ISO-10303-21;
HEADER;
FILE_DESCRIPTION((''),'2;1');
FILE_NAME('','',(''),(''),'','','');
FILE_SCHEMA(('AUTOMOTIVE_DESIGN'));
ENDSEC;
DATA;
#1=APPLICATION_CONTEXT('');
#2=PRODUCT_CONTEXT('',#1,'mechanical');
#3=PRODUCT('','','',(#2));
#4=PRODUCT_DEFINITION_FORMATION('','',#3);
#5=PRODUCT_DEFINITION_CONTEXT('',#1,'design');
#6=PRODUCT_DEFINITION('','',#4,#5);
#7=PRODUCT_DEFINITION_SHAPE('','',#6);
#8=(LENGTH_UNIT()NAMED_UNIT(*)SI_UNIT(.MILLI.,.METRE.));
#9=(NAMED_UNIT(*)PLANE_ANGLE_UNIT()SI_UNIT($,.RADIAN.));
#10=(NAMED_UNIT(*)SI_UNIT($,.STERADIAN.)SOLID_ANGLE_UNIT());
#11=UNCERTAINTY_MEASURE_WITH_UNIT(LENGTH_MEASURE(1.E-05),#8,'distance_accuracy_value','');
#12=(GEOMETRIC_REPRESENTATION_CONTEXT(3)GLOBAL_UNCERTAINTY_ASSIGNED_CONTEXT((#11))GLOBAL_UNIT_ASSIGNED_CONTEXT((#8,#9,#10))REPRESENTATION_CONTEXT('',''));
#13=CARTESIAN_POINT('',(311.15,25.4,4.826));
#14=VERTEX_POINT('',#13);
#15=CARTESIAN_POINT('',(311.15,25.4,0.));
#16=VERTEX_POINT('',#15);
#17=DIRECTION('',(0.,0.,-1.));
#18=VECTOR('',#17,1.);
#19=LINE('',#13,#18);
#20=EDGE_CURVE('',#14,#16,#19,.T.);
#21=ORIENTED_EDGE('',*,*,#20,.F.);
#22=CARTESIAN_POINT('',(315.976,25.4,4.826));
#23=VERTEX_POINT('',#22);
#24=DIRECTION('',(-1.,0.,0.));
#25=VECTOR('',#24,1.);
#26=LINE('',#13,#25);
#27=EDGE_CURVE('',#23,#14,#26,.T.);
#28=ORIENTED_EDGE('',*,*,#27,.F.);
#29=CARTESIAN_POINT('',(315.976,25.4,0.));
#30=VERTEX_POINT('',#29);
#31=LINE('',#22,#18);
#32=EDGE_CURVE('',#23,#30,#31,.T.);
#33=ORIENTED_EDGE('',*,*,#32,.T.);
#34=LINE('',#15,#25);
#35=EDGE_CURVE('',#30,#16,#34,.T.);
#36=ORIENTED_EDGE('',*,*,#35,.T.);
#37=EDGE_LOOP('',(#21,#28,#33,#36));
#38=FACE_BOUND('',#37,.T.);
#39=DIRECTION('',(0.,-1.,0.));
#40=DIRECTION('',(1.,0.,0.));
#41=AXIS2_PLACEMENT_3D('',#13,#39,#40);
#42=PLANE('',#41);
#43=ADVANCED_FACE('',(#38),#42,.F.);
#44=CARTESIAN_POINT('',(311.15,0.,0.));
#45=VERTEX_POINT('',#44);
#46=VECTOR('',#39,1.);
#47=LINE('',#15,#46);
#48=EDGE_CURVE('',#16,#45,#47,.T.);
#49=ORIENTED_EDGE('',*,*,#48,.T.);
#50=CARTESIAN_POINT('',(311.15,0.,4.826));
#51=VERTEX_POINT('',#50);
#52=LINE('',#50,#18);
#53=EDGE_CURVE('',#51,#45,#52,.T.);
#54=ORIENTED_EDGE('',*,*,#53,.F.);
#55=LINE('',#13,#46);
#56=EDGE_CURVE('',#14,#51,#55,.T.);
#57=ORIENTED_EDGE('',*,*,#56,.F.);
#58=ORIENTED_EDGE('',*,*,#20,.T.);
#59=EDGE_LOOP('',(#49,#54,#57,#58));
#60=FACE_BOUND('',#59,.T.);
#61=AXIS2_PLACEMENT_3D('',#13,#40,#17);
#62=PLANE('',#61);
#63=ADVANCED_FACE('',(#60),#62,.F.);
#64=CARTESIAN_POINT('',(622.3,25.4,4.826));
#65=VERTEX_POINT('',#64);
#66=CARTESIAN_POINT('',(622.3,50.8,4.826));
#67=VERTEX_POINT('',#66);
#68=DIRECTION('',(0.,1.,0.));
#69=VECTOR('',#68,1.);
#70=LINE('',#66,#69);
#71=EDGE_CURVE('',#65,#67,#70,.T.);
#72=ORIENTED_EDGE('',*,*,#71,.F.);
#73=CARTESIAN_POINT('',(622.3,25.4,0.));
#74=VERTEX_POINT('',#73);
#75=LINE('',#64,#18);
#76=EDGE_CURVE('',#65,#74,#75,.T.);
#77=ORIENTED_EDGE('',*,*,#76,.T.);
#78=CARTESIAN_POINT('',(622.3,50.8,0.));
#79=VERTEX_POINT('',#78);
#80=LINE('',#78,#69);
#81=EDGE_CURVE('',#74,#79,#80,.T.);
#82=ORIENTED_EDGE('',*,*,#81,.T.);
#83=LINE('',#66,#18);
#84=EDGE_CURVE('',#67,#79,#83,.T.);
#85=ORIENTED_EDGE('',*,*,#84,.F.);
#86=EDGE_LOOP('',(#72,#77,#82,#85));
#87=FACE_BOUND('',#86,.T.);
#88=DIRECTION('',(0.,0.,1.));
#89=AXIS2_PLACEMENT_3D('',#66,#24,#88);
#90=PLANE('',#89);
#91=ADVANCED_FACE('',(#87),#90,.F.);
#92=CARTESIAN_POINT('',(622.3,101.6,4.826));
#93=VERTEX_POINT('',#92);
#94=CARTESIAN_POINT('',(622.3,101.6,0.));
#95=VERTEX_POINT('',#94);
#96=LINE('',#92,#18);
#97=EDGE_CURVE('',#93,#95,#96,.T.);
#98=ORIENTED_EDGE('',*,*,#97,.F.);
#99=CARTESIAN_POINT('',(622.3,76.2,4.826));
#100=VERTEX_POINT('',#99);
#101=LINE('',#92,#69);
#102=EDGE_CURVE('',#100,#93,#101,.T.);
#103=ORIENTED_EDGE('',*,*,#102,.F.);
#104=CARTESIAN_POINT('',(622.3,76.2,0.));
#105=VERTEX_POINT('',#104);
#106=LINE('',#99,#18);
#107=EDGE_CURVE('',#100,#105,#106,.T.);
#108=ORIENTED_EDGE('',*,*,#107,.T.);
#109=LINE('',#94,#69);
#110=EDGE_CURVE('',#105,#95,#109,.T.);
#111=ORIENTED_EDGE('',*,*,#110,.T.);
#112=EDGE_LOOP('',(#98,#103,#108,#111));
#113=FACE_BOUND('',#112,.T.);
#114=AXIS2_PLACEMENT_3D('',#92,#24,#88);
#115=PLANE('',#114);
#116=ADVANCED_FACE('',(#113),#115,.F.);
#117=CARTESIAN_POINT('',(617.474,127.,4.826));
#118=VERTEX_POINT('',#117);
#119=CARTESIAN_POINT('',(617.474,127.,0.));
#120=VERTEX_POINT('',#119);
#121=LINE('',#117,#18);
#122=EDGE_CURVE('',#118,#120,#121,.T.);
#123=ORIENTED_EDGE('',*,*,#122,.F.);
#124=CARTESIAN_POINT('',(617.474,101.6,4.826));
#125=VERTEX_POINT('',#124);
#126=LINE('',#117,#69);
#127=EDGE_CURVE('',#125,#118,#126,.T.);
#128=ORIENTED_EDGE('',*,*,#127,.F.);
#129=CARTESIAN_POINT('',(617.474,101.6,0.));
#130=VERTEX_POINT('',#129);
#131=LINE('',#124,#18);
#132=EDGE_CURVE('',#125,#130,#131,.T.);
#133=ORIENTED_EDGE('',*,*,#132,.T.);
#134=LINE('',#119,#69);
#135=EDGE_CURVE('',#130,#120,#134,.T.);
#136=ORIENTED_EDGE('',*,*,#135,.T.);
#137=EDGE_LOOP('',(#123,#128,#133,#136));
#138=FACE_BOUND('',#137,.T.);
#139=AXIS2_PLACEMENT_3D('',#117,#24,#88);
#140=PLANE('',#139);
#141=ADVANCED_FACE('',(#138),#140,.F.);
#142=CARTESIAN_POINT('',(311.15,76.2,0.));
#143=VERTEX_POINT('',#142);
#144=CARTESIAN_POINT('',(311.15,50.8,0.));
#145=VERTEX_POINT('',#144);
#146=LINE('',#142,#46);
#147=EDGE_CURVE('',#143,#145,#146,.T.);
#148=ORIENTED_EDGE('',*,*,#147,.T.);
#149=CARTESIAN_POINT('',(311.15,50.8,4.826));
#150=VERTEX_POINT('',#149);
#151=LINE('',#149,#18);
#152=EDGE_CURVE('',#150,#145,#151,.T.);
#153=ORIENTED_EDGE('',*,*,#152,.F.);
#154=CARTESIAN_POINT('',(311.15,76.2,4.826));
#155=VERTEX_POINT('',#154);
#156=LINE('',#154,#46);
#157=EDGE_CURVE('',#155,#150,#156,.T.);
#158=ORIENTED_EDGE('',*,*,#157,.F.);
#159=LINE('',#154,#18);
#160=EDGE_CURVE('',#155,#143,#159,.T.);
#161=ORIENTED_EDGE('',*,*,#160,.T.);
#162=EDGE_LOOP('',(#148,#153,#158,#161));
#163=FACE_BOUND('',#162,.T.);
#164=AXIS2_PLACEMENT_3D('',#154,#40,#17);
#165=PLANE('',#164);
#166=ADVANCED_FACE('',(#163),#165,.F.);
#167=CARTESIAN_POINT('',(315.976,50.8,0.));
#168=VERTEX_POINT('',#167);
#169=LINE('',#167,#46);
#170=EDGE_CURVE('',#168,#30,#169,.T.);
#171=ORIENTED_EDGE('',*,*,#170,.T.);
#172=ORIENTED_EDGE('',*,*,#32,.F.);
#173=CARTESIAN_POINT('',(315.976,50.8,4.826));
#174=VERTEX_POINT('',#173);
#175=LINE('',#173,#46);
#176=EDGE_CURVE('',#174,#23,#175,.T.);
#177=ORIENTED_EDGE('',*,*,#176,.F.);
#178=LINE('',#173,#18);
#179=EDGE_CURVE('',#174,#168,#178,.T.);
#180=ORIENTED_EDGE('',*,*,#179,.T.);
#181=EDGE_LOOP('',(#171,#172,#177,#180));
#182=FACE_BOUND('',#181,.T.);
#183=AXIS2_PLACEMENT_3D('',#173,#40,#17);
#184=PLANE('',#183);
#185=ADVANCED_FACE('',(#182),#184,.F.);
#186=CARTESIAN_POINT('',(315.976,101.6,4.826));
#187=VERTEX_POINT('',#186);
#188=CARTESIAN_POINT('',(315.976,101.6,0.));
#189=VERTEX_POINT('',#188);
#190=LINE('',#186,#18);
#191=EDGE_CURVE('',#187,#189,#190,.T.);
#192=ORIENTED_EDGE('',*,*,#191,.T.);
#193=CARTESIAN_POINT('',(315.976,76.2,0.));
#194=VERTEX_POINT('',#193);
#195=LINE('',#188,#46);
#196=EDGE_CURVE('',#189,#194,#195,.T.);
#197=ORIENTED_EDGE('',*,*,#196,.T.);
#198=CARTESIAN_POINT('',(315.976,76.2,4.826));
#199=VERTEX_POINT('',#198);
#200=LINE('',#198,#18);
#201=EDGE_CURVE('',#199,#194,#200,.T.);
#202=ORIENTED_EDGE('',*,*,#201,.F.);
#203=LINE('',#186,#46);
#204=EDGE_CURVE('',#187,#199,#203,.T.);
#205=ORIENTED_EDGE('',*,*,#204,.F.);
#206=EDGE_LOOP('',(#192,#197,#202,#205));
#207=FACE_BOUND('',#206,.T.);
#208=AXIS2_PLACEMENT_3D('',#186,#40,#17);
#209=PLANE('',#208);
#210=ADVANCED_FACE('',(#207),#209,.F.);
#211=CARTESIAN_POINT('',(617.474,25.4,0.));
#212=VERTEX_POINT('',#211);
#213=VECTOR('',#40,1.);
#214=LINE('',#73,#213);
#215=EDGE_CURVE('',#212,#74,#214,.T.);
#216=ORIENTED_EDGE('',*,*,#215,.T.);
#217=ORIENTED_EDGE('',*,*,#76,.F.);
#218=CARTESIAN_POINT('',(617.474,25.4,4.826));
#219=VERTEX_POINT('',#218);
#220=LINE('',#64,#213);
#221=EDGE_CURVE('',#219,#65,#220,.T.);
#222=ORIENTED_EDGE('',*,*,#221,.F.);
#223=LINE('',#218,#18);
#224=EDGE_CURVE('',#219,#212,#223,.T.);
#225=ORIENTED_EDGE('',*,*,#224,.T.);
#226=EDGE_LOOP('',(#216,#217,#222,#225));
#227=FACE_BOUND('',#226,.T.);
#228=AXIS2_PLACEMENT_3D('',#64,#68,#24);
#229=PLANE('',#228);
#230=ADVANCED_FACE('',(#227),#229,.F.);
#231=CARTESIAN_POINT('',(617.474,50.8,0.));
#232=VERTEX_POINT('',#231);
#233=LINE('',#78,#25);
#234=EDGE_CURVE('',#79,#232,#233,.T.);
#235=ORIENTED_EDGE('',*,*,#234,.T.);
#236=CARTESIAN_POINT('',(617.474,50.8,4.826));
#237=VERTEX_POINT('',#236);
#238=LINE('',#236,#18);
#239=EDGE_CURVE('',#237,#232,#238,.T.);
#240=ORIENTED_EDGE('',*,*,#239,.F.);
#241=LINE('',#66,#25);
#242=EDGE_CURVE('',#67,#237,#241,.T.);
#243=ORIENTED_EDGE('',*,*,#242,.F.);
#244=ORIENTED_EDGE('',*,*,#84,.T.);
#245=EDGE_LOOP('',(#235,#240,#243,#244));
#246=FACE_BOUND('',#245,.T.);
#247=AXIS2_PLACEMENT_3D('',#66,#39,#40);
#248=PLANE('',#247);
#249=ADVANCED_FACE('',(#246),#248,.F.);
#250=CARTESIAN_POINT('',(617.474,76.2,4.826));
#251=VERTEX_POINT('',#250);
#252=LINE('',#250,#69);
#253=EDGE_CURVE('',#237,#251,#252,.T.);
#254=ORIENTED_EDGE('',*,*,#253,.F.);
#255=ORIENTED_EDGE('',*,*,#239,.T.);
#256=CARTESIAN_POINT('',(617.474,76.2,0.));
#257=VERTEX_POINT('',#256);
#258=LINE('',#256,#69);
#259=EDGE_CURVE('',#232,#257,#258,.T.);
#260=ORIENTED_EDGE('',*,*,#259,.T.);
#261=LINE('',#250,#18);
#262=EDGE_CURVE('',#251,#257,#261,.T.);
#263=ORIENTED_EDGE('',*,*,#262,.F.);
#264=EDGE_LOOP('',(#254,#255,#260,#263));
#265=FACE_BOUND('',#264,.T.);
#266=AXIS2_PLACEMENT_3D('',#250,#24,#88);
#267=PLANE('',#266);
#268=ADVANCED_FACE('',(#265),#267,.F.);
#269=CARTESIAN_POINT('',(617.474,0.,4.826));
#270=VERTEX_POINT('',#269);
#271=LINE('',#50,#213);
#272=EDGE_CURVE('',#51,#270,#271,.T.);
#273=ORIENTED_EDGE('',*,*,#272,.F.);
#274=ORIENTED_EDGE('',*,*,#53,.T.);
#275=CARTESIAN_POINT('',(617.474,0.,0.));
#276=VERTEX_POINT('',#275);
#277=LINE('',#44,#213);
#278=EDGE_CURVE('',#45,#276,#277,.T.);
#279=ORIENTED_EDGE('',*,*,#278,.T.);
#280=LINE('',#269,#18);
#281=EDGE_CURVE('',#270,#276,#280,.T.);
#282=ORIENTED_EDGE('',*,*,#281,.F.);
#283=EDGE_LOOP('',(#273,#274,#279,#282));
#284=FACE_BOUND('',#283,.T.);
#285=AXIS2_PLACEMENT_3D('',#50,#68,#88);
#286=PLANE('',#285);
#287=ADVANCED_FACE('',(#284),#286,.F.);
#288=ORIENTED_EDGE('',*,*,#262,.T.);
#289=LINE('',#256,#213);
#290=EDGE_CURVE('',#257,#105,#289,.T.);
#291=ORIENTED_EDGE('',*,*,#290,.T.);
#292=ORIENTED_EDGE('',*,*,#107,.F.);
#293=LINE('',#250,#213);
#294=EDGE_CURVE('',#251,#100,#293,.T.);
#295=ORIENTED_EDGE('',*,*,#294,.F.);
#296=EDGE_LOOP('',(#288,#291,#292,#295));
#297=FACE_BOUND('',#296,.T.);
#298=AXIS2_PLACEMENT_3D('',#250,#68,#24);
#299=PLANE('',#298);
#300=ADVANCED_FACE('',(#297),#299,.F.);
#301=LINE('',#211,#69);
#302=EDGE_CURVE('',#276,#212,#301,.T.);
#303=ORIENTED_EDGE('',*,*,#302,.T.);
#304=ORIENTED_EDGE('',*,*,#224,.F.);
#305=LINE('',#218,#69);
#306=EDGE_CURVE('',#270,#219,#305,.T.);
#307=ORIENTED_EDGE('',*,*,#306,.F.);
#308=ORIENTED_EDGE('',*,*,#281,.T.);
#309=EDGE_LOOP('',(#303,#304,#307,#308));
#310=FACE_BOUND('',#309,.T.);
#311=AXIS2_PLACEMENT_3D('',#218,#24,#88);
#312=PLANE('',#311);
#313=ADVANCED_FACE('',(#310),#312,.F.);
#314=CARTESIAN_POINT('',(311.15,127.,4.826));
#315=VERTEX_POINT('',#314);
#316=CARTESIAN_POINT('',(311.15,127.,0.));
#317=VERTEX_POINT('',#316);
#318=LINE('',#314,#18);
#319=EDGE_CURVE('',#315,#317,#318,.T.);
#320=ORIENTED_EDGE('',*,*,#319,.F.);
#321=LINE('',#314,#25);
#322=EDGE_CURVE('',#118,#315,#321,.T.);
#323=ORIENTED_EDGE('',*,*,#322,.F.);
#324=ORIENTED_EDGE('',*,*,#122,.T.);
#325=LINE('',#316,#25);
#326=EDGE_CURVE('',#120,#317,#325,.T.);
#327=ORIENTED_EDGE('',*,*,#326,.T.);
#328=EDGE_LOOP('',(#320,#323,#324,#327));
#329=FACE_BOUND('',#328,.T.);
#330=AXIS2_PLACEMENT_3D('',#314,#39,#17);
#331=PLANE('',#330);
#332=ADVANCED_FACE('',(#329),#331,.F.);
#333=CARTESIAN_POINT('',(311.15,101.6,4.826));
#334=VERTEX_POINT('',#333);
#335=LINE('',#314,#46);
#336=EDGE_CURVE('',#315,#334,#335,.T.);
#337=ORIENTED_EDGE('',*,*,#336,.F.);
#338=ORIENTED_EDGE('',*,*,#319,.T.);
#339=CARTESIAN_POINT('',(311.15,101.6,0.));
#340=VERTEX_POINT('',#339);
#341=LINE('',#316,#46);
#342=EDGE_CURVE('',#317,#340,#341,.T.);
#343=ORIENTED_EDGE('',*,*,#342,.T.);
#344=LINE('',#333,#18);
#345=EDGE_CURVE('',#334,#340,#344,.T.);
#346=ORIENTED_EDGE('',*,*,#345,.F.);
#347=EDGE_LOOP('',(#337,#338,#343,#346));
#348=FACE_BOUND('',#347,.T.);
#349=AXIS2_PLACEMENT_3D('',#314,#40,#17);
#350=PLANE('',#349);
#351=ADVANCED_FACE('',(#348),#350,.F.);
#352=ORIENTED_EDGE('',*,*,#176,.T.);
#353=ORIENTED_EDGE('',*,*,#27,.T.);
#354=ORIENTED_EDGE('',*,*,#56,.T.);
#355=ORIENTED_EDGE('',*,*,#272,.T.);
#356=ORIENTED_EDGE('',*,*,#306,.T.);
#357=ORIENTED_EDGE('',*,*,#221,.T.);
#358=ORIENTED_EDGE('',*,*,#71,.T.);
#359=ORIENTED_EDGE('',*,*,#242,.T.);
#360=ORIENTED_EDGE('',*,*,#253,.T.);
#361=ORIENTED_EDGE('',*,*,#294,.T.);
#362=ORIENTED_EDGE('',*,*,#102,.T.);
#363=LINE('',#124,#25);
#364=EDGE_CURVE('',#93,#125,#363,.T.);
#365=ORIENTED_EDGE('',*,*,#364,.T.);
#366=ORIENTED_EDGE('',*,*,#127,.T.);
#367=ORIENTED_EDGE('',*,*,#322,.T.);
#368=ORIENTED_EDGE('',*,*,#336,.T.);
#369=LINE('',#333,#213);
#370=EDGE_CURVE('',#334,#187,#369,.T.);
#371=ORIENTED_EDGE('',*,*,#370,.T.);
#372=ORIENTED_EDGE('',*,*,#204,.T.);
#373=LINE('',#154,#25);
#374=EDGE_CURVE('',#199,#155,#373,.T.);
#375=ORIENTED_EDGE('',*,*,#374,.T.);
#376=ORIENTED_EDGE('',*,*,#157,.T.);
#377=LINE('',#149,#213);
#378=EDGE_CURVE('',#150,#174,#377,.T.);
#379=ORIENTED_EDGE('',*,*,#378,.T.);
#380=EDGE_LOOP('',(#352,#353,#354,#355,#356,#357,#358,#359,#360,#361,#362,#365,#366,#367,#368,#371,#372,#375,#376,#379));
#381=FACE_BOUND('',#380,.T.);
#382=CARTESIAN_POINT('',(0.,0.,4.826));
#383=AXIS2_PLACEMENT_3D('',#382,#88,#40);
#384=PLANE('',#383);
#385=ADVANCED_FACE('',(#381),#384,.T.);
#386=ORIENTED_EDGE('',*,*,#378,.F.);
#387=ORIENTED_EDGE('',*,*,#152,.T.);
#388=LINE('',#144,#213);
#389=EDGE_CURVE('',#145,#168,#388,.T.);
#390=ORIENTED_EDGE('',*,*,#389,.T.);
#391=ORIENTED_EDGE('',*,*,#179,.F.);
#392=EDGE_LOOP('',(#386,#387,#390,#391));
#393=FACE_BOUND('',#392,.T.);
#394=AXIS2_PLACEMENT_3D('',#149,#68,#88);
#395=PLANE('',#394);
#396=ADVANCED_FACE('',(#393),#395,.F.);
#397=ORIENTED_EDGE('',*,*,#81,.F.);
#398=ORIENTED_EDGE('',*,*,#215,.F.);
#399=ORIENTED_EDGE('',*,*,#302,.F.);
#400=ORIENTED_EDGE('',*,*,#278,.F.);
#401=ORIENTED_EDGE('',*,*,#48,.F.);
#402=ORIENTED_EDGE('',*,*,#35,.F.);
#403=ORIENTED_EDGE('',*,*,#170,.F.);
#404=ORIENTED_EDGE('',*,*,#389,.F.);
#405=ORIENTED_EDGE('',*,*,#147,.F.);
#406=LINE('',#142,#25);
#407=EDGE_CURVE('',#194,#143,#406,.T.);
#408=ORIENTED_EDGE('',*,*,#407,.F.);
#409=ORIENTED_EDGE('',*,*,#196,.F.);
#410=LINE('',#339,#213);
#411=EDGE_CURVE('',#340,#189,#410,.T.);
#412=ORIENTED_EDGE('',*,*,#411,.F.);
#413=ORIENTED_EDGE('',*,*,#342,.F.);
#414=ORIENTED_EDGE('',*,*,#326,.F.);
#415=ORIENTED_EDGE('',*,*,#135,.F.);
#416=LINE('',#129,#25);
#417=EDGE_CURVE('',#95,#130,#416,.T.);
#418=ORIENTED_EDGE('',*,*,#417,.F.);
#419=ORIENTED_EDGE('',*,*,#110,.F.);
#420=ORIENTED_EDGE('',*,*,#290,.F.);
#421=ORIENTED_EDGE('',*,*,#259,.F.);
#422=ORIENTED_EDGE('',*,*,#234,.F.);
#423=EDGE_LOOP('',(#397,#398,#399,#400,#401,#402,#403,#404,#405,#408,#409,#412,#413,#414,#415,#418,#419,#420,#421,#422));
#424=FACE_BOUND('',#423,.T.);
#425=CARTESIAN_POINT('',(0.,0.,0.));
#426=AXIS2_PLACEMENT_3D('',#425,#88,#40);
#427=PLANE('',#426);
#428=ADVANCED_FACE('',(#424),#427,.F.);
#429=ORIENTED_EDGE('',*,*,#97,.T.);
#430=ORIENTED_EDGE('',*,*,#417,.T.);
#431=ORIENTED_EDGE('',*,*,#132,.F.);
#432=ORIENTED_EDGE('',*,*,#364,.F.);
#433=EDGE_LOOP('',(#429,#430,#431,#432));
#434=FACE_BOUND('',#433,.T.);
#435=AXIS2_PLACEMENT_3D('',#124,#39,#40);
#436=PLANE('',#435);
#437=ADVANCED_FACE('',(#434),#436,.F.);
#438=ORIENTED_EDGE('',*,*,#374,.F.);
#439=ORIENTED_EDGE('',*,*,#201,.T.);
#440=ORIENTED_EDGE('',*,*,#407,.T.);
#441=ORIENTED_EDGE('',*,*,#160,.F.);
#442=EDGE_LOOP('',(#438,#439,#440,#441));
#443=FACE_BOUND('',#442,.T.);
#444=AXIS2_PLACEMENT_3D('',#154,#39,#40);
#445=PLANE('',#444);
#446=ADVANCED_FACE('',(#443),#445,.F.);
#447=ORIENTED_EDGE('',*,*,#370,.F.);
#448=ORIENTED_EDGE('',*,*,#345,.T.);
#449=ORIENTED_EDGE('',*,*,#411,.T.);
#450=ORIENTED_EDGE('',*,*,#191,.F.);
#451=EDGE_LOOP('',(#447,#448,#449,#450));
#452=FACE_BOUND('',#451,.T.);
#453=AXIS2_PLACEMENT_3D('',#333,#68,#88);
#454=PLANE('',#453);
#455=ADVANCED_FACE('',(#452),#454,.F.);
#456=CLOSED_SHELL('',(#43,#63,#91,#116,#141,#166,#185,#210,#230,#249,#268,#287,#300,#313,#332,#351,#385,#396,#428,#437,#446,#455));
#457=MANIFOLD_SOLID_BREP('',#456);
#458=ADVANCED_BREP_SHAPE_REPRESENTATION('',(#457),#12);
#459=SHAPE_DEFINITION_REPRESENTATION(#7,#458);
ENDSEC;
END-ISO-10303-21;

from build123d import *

# Parameters (mm, degrees)
BOSS_EXTRUDE1_DEPTH = 4.826


with BuildPart() as part:
    # Sketch1 → Boss-Extrude1 (new body)
    with BuildSketch(Plane.XY):
        Polygon((617.474, 25.4), (617.474, 0), (311.15, 0), (311.15, 25.4), (315.976, 25.4), (315.976, 50.8), (311.15, 50.8), (311.15, 76.2), (315.976, 76.2), (315.976, 101.6), (311.15, 101.6), (311.15, 127), (617.474, 127), (617.474, 101.6), (622.3, 101.6), (622.3, 76.2), (617.474, 76.2), (617.474, 50.8), (622.3, 50.8), (622.3, 25.4), align=None)
    extrude(amount=BOSS_EXTRUDE1_DEPTH)


solid = part.part
